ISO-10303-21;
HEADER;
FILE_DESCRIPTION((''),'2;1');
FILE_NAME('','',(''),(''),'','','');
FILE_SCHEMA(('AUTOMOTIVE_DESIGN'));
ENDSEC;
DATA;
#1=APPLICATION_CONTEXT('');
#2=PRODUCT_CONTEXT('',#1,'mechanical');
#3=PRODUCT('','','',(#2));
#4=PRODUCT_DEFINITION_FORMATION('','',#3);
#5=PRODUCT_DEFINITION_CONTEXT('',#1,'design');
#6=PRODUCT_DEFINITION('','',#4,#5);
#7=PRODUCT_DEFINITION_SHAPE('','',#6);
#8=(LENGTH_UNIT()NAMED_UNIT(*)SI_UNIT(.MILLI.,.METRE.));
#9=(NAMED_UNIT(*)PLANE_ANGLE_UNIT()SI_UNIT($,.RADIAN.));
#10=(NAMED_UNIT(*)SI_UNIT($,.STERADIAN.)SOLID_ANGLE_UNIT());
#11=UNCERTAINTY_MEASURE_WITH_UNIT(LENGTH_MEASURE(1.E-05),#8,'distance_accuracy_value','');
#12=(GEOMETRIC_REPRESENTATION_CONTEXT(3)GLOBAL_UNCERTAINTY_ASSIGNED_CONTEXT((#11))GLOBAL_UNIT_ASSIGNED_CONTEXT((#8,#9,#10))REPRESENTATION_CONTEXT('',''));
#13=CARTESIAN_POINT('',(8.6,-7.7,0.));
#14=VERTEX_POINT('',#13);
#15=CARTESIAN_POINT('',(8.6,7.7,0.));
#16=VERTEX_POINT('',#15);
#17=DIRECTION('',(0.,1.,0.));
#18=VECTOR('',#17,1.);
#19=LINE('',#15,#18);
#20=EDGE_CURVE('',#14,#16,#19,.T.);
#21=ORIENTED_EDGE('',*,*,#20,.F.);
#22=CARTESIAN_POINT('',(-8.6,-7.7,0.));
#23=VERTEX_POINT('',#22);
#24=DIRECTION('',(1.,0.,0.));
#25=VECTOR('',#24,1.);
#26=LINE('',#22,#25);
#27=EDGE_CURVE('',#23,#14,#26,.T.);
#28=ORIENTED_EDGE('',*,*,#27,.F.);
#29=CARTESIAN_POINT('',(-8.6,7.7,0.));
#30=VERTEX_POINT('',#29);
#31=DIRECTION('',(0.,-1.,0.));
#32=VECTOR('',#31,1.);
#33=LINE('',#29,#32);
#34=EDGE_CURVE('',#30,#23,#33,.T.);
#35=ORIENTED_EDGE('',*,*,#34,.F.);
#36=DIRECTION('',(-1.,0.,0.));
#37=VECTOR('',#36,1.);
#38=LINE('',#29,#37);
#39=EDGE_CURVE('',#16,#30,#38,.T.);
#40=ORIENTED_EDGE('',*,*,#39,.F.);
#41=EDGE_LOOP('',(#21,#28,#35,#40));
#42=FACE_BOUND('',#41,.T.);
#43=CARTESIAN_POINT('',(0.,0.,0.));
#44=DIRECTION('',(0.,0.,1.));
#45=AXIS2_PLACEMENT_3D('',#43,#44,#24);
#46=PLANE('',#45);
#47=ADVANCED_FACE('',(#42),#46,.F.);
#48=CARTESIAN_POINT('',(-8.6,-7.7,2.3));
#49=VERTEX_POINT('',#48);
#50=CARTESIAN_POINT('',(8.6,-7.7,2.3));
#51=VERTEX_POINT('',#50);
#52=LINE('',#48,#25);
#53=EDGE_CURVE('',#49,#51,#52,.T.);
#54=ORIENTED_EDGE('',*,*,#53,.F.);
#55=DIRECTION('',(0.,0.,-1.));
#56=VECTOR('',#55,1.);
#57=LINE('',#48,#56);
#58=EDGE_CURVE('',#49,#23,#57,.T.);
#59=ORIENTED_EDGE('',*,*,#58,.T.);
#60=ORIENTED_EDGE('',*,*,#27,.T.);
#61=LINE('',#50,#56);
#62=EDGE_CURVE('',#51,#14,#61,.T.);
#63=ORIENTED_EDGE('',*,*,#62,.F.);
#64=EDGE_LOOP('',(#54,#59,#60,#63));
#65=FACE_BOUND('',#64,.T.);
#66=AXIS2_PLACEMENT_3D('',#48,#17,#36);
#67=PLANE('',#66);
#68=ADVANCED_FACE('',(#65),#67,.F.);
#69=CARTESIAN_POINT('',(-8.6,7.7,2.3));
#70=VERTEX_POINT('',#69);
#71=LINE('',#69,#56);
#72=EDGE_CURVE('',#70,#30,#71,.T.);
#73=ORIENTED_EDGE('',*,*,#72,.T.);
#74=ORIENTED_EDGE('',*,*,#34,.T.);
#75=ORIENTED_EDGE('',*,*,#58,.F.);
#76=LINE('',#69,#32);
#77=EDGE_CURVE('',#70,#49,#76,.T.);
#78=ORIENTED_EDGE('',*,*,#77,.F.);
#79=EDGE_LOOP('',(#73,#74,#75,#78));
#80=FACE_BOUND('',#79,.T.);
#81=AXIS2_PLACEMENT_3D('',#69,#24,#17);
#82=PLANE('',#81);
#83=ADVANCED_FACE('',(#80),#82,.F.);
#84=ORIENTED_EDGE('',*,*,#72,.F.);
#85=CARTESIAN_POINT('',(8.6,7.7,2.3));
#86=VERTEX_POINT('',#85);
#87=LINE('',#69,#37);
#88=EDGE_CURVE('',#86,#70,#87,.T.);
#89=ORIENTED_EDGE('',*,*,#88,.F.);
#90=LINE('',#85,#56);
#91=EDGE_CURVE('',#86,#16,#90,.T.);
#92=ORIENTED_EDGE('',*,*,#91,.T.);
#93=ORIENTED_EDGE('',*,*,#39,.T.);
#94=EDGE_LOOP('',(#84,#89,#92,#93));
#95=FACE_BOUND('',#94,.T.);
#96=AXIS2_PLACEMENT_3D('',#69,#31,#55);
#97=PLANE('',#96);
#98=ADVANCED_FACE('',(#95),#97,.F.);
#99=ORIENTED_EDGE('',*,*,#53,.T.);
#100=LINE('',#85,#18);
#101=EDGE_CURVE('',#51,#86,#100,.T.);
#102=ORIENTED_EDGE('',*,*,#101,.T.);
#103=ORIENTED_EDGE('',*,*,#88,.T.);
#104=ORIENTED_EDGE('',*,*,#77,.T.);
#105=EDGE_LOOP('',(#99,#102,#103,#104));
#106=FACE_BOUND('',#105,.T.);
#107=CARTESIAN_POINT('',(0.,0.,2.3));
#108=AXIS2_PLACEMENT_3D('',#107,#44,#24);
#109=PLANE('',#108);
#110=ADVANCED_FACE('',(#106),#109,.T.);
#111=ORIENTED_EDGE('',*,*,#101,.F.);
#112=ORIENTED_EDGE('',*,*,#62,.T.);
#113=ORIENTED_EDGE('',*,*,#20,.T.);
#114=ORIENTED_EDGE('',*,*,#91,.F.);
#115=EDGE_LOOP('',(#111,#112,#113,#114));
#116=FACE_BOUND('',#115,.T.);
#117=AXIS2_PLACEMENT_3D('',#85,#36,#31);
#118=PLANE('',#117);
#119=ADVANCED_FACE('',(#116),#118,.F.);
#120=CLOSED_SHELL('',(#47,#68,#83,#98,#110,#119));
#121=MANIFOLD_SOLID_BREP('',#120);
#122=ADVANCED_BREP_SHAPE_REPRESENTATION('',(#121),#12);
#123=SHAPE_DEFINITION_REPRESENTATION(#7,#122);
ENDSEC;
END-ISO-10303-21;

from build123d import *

# Parameters (mm, degrees)
SKETCH_1_W      = 17.2
SKETCH_1_H      = 15.4
EXTRUDE_1_DEPTH = 2.3


with BuildPart() as part:
    # Эскиз1 → Бобышка-Вытянуть1 (new body)
    with BuildSketch(Plane.XY):
        Rectangle(SKETCH_1_W, SKETCH_1_H)
    extrude(amount=EXTRUDE_1_DEPTH)


solid = part.part
